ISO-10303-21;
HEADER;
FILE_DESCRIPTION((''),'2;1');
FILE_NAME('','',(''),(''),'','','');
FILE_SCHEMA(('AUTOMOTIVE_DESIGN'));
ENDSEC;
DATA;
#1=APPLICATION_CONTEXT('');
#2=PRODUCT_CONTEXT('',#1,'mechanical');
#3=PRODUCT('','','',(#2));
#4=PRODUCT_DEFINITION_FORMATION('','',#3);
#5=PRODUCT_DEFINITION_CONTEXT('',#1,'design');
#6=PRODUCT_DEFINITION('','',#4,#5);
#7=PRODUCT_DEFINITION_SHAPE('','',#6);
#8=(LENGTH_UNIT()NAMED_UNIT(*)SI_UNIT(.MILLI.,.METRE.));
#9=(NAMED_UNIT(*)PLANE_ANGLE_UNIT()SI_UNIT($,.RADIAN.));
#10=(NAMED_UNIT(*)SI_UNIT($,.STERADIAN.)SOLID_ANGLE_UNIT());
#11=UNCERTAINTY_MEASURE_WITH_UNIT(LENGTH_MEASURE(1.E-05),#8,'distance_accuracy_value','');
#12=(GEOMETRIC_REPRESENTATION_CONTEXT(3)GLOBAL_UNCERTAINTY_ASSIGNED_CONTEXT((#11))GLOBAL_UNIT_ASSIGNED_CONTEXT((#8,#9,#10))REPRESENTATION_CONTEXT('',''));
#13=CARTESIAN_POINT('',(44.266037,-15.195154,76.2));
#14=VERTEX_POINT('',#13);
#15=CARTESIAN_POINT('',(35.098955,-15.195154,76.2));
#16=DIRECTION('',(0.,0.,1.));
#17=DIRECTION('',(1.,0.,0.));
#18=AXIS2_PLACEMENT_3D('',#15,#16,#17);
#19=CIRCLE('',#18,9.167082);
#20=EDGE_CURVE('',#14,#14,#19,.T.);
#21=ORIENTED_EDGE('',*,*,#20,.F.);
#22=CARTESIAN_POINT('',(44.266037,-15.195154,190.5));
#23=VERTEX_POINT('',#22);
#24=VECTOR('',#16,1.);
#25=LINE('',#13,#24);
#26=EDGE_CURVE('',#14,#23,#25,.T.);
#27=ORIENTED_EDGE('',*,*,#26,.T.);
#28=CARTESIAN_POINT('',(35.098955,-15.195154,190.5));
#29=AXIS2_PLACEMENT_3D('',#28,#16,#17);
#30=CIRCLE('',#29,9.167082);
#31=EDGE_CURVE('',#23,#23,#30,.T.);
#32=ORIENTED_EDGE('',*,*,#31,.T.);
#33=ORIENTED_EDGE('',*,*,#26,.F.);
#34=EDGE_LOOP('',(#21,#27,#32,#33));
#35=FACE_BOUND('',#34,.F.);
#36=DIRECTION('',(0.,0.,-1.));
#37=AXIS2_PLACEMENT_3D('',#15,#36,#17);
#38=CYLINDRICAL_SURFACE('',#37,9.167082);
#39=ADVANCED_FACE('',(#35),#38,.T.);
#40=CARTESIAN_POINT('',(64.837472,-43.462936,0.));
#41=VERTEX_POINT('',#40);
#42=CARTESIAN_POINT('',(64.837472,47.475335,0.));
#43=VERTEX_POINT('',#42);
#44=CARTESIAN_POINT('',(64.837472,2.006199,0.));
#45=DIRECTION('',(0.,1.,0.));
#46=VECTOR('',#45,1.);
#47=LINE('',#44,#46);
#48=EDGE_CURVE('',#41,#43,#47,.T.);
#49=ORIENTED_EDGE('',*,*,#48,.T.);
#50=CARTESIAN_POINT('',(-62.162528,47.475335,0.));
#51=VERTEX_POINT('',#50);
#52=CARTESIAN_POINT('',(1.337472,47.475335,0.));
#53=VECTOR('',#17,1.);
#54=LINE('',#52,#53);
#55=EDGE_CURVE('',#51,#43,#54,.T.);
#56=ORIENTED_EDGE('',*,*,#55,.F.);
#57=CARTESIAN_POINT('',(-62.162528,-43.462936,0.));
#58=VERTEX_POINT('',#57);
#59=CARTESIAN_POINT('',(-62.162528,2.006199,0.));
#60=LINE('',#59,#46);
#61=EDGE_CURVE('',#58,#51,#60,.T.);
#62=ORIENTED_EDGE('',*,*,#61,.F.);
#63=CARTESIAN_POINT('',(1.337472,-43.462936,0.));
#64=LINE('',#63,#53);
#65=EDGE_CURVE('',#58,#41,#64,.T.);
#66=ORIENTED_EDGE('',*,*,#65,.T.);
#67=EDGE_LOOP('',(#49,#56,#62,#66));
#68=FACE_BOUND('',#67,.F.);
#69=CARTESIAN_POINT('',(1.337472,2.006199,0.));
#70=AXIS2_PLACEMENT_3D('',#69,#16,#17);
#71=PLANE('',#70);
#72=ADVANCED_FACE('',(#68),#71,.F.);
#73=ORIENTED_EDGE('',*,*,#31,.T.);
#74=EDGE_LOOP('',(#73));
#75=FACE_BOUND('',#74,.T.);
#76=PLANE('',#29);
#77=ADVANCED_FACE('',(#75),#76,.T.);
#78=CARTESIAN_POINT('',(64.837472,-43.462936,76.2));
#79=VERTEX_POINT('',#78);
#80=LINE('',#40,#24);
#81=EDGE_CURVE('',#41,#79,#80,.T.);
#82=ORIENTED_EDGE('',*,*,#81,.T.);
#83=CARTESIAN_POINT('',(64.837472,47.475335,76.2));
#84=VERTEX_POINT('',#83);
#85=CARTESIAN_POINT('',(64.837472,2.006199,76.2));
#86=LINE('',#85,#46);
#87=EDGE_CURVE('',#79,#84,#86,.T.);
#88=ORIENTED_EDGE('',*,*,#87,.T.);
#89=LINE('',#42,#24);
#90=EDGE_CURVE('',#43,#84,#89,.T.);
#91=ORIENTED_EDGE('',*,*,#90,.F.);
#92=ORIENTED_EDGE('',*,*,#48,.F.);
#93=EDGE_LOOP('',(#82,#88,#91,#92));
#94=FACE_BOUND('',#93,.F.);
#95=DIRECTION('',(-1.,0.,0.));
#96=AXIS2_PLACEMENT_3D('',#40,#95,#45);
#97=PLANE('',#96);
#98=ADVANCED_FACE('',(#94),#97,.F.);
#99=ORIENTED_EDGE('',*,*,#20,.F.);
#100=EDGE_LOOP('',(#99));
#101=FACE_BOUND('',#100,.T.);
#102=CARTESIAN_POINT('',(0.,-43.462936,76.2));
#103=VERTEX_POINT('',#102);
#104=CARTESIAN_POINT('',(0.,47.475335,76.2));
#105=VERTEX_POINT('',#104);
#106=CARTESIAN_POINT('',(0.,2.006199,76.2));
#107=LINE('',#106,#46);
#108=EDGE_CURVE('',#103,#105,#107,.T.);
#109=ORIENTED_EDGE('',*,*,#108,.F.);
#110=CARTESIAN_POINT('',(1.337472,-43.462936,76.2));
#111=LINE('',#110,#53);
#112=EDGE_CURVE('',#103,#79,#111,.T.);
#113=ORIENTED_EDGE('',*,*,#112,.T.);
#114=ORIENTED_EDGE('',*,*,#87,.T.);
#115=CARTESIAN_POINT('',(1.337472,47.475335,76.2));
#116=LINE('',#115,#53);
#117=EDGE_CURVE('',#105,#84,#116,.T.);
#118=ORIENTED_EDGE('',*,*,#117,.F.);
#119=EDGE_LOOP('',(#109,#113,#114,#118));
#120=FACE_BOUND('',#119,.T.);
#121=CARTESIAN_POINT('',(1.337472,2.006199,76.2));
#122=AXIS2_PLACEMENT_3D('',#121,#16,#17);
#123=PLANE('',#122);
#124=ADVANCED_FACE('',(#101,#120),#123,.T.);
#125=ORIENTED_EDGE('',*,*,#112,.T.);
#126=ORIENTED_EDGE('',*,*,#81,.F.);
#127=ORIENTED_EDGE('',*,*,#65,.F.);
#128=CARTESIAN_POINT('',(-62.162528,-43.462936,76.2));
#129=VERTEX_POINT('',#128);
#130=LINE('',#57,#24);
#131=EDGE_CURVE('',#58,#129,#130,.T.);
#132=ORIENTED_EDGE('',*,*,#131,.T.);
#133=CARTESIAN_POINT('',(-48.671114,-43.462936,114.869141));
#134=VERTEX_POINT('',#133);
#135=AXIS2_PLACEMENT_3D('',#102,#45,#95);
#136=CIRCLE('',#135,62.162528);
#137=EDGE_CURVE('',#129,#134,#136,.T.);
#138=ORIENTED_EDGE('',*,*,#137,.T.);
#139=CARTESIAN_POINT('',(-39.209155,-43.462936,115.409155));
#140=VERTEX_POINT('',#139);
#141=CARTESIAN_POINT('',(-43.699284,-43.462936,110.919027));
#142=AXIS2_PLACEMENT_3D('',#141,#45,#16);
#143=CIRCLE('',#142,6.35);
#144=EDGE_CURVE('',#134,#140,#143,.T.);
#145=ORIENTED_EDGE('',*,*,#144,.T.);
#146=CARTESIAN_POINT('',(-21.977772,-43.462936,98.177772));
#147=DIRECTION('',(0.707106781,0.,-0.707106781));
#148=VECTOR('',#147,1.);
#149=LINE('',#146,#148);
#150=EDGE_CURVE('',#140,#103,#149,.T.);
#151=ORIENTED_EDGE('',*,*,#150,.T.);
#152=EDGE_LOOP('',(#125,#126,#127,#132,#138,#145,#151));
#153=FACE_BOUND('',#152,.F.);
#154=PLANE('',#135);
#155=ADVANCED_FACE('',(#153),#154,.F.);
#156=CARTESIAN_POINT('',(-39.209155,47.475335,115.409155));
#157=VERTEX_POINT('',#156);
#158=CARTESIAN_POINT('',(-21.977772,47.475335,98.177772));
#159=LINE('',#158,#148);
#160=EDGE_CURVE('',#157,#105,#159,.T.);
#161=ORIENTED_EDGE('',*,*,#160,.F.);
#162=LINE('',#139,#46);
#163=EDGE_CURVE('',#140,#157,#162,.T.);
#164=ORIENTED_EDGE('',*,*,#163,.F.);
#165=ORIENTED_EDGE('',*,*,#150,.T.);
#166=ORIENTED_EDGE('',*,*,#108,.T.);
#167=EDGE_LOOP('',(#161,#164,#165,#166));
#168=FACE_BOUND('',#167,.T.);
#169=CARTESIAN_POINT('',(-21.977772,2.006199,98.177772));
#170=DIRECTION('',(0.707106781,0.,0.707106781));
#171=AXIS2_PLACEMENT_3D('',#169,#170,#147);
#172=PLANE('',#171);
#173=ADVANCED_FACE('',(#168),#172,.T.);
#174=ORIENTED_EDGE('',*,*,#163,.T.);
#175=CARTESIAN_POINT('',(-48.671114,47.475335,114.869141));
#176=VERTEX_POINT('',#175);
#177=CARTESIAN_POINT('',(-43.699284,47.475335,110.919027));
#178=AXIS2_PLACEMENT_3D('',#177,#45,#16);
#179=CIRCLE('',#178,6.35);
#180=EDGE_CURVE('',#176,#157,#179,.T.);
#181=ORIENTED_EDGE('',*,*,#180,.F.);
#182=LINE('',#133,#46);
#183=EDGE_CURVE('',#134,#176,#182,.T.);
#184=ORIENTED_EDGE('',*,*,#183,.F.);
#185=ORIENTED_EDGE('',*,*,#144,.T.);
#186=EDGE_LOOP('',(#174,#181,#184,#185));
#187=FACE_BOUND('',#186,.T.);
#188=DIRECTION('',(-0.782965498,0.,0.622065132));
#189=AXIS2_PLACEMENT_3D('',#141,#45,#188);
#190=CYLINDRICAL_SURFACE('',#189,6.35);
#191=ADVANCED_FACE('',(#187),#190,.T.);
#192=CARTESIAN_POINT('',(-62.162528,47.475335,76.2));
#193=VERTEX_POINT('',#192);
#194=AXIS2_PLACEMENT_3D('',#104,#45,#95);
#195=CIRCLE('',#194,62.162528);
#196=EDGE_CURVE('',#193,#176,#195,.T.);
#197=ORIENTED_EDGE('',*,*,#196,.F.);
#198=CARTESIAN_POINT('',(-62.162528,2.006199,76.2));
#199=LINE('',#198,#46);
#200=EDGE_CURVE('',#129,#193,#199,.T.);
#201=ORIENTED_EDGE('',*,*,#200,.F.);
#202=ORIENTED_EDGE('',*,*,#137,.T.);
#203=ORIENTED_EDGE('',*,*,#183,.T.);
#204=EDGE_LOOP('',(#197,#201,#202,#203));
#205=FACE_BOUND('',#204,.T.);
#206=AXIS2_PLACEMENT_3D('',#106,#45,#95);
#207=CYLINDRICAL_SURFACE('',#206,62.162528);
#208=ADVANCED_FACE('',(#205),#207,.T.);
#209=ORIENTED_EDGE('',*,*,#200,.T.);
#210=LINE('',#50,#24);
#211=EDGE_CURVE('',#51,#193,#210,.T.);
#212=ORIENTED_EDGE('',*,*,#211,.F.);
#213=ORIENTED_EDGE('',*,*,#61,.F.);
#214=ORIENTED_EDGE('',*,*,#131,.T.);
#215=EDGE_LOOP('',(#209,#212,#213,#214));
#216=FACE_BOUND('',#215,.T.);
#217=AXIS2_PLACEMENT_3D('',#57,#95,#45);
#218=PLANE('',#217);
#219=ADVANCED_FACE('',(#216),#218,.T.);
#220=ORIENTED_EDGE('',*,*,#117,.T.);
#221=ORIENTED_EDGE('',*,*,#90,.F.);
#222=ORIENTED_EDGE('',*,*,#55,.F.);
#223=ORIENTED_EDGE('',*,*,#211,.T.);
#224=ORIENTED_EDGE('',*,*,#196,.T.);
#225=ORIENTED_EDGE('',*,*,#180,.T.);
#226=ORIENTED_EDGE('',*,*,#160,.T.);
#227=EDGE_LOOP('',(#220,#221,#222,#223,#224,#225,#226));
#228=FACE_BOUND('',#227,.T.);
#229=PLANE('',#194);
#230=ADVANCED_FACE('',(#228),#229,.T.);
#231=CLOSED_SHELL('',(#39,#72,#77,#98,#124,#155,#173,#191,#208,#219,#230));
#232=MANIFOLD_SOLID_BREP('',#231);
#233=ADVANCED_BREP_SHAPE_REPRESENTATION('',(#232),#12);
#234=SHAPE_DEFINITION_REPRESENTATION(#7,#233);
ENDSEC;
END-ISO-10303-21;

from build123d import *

# Parameters (mm, degrees)
F0_W     = 127
F0_H     = 90.9382707423
F1_DEPTH = 76.2
F2_W     = 62.1625276506
F2_H     = 90.9382707423
F4_ANGLE = 45
F5_R     = 9.1670821984
F6_DEPTH = 114.3
F7_R     = 6.35


with BuildPart() as f1:
    # F0 (on Top) → F1 (new body)
    with BuildSketch(Plane.XY):
        with Locations((1.3374723494, 2.0061992109)):
            Rectangle(F0_W, F0_H)
    extrude(amount=F1_DEPTH)

    # F2 (on face) → F4 (revolve)
    with BuildSketch(Plane.XY.offset(76.2)):
        with Locations((-31.0812638253, 2.0061992109)):
            Rectangle(F2_W, F2_H)
    revolve(axis=Axis((0, 2.0061992109, 76.2), (0, 1, 0)), revolution_arc=F4_ANGLE)

    # F5 (on face) → F6 (join)
    with BuildSketch(Plane.XY.offset(76.2)):
        with Locations((35.0989550352, -15.1951536536)):
            Circle(F5_R)
    extrude(amount=F6_DEPTH)

    # F7
    f7_edges = [f1.edges().sort_by_distance(p)[0] for p in [
        (-43.955545, 2.006199, 120.155545),
    ]]
    fillet(f7_edges, radius=F7_R)


solid = f1.part
